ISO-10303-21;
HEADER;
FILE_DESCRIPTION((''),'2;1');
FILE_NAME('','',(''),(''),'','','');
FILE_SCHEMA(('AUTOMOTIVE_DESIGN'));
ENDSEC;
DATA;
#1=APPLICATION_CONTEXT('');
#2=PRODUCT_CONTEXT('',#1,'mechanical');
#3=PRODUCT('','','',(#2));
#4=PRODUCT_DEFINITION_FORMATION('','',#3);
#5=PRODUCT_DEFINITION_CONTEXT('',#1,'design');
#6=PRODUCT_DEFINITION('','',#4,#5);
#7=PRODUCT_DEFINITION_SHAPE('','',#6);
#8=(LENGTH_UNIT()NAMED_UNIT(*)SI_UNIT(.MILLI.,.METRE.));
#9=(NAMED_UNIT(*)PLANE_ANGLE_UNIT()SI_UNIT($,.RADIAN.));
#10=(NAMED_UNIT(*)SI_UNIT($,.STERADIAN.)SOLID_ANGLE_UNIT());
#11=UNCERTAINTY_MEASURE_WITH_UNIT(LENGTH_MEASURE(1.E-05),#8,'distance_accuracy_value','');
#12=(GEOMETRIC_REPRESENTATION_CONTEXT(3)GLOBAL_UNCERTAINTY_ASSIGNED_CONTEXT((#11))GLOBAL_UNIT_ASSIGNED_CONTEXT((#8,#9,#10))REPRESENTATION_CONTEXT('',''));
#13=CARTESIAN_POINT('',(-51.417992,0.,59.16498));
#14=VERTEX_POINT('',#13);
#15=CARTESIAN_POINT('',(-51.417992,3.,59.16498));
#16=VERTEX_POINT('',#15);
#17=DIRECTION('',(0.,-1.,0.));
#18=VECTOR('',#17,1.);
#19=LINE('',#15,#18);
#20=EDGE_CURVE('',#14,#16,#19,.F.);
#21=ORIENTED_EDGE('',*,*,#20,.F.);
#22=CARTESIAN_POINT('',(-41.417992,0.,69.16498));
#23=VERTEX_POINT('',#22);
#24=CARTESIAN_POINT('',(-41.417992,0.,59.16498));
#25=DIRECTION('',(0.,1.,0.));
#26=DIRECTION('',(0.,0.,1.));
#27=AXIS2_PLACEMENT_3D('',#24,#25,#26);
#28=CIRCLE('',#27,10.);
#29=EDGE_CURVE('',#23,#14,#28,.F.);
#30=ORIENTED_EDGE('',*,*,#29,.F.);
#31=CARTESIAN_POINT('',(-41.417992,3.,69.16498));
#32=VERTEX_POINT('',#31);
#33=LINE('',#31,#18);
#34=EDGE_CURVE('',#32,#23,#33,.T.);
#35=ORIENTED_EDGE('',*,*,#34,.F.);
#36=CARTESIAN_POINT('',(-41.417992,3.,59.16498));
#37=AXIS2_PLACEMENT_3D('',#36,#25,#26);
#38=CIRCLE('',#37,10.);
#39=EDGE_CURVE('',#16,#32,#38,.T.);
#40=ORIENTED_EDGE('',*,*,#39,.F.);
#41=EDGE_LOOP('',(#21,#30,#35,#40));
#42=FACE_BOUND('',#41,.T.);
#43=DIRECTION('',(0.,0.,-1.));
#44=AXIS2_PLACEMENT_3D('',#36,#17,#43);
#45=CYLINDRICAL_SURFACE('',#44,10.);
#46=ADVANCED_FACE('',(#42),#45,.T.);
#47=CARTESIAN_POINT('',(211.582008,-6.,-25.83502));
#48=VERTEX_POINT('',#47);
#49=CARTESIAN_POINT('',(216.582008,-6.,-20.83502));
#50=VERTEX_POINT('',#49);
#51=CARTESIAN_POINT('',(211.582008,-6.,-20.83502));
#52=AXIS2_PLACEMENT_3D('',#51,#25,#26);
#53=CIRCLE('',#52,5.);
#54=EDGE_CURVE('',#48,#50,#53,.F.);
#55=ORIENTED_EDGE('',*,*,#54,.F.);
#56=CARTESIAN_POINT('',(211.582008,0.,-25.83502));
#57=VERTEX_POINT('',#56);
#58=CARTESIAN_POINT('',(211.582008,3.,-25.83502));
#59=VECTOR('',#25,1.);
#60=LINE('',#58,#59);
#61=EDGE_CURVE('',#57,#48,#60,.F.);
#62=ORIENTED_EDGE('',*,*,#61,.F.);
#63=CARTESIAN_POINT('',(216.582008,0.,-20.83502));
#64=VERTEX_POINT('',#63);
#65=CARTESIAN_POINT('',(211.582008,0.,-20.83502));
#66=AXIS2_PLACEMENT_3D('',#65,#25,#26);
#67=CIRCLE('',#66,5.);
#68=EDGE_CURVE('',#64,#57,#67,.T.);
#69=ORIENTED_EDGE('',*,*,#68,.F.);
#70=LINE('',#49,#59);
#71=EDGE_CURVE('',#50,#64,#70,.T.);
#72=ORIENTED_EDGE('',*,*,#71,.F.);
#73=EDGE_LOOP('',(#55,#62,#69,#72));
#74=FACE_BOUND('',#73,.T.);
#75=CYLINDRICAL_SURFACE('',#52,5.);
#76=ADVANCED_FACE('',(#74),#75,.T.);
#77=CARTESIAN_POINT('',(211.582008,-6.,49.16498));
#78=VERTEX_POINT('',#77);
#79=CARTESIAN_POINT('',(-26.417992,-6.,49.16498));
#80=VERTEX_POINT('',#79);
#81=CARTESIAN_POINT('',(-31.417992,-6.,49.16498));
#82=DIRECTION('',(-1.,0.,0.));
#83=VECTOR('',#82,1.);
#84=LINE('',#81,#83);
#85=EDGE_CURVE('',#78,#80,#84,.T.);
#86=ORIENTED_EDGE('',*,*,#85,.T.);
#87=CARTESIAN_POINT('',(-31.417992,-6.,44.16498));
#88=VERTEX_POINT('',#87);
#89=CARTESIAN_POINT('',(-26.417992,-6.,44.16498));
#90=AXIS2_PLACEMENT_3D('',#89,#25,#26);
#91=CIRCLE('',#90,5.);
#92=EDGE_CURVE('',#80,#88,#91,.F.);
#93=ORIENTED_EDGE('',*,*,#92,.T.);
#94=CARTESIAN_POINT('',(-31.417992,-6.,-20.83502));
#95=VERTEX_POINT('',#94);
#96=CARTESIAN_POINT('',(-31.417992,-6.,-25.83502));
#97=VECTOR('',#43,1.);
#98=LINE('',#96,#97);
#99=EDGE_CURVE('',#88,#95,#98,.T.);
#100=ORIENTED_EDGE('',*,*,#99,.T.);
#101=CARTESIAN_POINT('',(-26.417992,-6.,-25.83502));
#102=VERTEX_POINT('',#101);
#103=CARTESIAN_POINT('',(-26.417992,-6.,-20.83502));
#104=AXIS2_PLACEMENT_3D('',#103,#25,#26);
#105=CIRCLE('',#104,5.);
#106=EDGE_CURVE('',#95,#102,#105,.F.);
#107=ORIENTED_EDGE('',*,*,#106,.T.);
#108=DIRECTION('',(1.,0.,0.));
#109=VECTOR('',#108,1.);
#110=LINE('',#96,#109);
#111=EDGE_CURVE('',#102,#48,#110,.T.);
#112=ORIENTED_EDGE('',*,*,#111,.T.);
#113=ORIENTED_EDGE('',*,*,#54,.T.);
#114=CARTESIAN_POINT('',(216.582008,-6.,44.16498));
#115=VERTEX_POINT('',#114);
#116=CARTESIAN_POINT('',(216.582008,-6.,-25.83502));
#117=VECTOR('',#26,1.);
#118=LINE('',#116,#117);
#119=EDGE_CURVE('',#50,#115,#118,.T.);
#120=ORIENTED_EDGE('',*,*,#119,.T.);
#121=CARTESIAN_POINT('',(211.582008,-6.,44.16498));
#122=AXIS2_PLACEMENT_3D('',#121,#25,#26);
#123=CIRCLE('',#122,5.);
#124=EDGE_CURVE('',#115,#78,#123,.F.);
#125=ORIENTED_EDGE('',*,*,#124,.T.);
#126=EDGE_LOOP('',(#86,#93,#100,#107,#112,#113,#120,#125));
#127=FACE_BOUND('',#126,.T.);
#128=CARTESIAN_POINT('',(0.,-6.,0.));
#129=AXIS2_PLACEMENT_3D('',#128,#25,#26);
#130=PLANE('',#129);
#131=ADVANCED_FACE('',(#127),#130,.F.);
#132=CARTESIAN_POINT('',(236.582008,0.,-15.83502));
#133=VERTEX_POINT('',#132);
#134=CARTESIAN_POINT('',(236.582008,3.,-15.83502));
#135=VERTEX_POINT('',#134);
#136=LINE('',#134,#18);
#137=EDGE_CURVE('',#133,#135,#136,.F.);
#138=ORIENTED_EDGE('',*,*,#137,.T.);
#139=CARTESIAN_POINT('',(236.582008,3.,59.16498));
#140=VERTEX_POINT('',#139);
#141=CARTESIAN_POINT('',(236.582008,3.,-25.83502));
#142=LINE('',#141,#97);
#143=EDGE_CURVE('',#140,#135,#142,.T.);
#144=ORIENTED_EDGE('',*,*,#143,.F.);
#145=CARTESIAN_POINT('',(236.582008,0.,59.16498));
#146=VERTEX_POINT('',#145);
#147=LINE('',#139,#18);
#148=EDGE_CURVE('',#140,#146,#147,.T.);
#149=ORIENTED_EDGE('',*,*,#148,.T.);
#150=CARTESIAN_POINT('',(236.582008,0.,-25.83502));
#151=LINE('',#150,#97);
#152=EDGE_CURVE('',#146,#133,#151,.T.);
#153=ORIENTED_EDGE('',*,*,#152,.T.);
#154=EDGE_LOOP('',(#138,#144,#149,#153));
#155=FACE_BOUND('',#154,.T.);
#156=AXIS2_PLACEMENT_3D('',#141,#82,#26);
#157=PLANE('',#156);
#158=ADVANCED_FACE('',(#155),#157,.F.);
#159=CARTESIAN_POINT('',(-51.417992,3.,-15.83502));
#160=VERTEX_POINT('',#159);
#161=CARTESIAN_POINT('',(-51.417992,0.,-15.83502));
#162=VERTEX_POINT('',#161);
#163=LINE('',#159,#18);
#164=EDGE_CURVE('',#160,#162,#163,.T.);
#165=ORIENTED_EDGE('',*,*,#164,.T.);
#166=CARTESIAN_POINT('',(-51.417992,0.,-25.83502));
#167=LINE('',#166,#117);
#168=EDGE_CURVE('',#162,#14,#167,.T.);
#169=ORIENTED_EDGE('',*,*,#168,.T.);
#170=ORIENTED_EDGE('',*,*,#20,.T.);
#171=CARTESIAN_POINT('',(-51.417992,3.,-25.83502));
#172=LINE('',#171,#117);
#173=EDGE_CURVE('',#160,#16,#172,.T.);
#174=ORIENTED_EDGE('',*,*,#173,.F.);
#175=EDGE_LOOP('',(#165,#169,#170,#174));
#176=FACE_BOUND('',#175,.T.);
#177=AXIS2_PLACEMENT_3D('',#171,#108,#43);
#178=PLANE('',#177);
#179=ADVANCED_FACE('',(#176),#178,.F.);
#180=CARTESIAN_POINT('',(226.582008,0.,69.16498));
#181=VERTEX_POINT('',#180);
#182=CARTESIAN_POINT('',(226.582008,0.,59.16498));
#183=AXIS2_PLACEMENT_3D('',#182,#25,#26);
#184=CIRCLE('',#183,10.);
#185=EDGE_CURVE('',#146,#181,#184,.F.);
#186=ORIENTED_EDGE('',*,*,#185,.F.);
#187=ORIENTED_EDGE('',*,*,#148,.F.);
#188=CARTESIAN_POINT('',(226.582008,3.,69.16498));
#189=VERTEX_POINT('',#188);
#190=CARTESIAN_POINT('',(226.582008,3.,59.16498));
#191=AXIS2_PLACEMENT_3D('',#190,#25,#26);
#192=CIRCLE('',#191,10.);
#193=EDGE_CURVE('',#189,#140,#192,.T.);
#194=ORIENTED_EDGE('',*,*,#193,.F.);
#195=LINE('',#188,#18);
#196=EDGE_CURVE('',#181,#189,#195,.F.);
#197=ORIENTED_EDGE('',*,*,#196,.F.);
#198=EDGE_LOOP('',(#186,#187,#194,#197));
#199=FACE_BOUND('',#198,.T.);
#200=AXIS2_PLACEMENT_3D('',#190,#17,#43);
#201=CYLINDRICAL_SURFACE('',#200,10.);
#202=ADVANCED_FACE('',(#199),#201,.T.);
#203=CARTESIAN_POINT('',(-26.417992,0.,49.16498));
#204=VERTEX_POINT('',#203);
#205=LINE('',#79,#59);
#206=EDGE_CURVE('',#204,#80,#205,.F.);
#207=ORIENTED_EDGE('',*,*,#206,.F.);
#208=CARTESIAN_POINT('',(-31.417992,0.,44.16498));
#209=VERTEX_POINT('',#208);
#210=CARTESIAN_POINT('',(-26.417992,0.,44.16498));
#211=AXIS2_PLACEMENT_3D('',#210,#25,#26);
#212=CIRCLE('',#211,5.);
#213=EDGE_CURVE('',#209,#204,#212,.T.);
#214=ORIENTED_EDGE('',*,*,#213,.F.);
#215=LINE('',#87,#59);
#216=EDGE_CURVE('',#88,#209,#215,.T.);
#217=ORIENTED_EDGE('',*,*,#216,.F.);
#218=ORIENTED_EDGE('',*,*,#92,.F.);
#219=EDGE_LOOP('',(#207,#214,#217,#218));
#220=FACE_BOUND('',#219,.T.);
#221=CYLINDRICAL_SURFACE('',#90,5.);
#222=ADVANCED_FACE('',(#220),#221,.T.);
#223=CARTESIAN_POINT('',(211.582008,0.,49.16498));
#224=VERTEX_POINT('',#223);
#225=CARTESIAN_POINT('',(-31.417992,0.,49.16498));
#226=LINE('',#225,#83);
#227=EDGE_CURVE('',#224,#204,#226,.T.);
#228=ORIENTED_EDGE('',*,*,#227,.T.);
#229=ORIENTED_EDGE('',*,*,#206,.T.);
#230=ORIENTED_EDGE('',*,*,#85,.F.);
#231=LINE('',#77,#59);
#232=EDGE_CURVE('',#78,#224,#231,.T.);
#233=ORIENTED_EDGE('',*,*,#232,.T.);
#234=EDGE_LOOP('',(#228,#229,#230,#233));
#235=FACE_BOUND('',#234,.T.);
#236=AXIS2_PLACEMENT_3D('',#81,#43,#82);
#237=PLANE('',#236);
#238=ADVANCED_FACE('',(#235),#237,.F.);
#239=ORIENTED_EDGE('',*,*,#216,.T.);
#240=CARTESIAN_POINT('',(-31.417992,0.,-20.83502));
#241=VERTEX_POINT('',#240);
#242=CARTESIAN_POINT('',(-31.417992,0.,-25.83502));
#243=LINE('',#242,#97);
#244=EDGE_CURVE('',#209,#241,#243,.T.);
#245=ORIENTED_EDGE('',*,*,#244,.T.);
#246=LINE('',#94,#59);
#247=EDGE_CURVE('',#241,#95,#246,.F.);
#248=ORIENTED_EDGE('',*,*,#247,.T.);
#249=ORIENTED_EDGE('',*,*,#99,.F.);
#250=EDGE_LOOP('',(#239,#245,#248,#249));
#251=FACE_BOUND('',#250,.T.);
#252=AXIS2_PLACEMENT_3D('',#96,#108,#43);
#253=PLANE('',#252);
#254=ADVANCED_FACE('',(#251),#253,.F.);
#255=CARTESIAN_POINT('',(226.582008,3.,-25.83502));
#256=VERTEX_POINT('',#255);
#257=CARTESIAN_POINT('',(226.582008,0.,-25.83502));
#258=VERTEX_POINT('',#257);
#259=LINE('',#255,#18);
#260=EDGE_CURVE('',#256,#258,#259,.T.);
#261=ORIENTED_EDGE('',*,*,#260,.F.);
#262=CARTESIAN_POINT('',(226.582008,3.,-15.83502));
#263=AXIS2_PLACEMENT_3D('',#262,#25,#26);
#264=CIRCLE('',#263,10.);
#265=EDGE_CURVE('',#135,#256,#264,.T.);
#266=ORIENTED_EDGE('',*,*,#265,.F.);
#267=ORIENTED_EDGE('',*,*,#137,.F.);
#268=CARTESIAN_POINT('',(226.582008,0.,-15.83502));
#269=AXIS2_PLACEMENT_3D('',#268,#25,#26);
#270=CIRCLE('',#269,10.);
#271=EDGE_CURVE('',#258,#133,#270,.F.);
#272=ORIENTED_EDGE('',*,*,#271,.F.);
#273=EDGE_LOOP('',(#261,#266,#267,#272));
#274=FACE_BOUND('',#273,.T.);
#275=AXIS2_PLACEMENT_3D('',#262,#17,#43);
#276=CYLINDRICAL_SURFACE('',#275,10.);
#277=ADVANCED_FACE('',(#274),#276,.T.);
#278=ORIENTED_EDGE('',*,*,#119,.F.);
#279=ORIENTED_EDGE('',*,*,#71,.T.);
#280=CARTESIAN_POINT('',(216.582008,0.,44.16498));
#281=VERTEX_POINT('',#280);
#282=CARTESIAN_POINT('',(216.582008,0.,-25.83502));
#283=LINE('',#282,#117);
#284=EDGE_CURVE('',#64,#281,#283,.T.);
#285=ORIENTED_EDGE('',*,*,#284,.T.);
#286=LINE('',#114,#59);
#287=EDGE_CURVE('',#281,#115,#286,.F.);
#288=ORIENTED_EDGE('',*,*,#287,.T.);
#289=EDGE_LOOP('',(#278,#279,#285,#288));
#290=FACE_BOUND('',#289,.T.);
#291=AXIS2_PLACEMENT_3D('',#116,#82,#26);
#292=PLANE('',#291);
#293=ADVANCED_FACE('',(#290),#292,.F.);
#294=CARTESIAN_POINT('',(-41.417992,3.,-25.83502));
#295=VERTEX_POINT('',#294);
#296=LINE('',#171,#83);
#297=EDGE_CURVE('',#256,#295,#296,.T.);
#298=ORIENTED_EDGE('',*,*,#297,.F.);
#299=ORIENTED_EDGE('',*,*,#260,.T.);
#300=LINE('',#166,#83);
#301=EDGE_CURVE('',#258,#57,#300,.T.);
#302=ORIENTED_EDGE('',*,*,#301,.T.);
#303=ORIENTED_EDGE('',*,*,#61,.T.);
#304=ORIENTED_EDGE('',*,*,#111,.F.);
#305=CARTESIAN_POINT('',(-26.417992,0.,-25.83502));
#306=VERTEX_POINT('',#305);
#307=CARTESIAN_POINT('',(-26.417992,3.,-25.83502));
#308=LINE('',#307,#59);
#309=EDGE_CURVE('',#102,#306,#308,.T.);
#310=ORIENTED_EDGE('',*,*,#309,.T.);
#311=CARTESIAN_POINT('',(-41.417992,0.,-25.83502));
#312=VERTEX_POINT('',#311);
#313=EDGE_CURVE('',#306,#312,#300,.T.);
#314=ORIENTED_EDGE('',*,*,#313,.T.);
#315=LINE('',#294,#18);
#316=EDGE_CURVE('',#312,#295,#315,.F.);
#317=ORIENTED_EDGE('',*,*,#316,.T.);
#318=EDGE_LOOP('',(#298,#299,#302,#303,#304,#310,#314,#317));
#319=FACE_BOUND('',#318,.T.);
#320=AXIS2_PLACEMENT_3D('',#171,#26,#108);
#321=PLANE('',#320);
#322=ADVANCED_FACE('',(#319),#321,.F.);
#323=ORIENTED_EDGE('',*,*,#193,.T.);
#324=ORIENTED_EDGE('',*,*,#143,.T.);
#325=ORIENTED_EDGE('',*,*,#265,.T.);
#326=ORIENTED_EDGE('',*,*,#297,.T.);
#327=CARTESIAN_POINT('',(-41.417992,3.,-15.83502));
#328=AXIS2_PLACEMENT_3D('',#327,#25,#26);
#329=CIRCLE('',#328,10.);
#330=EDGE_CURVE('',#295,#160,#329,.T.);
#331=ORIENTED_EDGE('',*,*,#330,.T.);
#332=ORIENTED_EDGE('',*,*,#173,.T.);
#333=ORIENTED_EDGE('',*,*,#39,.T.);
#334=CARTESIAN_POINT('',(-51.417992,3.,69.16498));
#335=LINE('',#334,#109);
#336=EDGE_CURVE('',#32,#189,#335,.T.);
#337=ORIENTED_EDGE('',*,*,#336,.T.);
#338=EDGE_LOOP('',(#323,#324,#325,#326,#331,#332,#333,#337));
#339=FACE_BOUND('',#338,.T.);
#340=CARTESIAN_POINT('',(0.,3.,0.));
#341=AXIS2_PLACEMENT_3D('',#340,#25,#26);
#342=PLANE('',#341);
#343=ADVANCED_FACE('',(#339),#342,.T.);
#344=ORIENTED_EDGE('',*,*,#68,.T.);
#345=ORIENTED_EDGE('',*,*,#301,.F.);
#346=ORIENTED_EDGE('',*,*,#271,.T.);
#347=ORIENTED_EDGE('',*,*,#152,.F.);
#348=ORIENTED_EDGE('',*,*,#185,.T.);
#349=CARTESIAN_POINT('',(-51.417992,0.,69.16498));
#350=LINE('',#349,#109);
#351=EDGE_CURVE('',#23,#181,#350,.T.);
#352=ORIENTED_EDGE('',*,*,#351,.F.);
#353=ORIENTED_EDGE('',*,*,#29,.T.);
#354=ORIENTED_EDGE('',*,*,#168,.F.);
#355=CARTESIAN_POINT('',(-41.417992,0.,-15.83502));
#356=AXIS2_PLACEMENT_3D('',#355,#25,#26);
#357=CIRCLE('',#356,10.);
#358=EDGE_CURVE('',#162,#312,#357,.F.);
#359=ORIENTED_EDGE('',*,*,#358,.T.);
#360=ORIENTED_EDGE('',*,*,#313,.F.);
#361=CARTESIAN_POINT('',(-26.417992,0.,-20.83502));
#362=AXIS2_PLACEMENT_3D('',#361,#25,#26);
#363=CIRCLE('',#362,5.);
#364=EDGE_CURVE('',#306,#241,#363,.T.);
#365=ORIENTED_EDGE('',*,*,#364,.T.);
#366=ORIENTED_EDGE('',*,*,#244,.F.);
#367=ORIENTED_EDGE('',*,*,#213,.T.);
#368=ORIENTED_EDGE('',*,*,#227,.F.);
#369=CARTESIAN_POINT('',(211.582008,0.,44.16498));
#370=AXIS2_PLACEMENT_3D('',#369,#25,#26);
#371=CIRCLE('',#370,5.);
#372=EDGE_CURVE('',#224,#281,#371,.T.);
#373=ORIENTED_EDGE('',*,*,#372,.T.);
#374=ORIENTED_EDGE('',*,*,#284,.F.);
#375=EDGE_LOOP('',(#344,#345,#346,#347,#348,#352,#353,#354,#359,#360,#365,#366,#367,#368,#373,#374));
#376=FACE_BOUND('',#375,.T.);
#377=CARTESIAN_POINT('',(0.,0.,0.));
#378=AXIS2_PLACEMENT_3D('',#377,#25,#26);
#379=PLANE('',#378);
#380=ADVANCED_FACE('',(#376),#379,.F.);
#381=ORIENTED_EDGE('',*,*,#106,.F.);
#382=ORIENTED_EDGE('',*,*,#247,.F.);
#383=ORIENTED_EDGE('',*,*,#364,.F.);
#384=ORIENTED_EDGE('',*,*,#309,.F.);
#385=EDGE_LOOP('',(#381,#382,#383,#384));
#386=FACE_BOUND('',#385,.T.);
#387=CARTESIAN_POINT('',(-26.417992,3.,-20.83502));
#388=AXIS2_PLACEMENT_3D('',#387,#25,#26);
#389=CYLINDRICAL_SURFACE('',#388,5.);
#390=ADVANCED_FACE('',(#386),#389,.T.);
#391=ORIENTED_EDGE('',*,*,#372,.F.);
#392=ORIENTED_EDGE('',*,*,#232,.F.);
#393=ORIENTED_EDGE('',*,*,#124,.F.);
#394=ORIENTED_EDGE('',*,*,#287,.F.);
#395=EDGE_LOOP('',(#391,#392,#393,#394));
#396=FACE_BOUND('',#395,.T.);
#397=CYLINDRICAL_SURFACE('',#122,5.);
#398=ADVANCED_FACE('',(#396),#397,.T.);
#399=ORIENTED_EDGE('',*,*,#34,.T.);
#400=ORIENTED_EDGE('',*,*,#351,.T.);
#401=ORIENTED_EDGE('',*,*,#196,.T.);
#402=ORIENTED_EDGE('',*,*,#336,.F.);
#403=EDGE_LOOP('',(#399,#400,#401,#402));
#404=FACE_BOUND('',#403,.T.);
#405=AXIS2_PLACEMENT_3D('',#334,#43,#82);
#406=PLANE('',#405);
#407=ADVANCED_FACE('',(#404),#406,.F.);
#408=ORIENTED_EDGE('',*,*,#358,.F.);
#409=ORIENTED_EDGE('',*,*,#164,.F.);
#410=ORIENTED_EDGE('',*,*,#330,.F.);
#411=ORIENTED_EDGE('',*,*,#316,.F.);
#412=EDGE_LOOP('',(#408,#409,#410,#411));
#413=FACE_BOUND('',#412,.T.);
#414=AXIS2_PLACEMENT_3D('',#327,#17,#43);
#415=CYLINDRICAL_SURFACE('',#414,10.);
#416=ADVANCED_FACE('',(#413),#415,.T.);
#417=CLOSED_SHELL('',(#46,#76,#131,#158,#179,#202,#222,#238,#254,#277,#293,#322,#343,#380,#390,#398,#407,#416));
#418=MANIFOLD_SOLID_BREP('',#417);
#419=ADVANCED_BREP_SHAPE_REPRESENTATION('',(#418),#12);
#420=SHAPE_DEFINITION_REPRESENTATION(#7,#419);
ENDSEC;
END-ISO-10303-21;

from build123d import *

# Parameters (mm, degrees)
SKETCH1_W           = 288
SKETCH1_H           = 95
BOSS_EXTRUDE1_DEPTH = 3
SKETCH2_W           = 248
SKETCH2_H           = 75
BOSS_EXTRUDE2_DEPTH = 6
FILLET1_R           = 10
FILLET2_R           = 5


with BuildPart() as part:
    # Sketch1 → Boss-Extrude1 (new body)
    with BuildSketch(Plane(origin=(0, 0, 0), x_dir=(1, 0, 0), z_dir=(0, 1, 0))):
        with Locations((92.582008252, -21.664979636)):
            Rectangle(SKETCH1_W, SKETCH1_H)
    extrude(amount=BOSS_EXTRUDE1_DEPTH)

    # Sketch2 → Boss-Extrude2 (add)
    with BuildSketch(Plane.XZ):
        with Locations((92.582008252, 11.664979636)):
            Rectangle(SKETCH2_W, SKETCH2_H)
    extrude(amount=BOSS_EXTRUDE2_DEPTH)

    # Fillet1
    fillet1_edges = [part.edges().sort_by_distance(p)[0] for p in [
        (236.582008252, 1.5, -25.835020364),
        (-51.417991748, 1.5, -25.835020364),
        (236.582008252, 1.5, 69.164979636),
        (-51.417991748, 1.5, 69.164979636),
    ]]
    fillet(fillet1_edges, radius=FILLET1_R)

    # Fillet2
    fillet2_edges = [part.edges().sort_by_distance(p)[0] for p in [
        (-31.417991748, -3, 49.164979636),
        (-31.417991748, -3, -25.835020364),
        (216.582008252, -3, -25.835020364),
        (216.582008252, -3, 49.164979636),
    ]]
    fillet(fillet2_edges, radius=FILLET2_R)


solid = part.part
